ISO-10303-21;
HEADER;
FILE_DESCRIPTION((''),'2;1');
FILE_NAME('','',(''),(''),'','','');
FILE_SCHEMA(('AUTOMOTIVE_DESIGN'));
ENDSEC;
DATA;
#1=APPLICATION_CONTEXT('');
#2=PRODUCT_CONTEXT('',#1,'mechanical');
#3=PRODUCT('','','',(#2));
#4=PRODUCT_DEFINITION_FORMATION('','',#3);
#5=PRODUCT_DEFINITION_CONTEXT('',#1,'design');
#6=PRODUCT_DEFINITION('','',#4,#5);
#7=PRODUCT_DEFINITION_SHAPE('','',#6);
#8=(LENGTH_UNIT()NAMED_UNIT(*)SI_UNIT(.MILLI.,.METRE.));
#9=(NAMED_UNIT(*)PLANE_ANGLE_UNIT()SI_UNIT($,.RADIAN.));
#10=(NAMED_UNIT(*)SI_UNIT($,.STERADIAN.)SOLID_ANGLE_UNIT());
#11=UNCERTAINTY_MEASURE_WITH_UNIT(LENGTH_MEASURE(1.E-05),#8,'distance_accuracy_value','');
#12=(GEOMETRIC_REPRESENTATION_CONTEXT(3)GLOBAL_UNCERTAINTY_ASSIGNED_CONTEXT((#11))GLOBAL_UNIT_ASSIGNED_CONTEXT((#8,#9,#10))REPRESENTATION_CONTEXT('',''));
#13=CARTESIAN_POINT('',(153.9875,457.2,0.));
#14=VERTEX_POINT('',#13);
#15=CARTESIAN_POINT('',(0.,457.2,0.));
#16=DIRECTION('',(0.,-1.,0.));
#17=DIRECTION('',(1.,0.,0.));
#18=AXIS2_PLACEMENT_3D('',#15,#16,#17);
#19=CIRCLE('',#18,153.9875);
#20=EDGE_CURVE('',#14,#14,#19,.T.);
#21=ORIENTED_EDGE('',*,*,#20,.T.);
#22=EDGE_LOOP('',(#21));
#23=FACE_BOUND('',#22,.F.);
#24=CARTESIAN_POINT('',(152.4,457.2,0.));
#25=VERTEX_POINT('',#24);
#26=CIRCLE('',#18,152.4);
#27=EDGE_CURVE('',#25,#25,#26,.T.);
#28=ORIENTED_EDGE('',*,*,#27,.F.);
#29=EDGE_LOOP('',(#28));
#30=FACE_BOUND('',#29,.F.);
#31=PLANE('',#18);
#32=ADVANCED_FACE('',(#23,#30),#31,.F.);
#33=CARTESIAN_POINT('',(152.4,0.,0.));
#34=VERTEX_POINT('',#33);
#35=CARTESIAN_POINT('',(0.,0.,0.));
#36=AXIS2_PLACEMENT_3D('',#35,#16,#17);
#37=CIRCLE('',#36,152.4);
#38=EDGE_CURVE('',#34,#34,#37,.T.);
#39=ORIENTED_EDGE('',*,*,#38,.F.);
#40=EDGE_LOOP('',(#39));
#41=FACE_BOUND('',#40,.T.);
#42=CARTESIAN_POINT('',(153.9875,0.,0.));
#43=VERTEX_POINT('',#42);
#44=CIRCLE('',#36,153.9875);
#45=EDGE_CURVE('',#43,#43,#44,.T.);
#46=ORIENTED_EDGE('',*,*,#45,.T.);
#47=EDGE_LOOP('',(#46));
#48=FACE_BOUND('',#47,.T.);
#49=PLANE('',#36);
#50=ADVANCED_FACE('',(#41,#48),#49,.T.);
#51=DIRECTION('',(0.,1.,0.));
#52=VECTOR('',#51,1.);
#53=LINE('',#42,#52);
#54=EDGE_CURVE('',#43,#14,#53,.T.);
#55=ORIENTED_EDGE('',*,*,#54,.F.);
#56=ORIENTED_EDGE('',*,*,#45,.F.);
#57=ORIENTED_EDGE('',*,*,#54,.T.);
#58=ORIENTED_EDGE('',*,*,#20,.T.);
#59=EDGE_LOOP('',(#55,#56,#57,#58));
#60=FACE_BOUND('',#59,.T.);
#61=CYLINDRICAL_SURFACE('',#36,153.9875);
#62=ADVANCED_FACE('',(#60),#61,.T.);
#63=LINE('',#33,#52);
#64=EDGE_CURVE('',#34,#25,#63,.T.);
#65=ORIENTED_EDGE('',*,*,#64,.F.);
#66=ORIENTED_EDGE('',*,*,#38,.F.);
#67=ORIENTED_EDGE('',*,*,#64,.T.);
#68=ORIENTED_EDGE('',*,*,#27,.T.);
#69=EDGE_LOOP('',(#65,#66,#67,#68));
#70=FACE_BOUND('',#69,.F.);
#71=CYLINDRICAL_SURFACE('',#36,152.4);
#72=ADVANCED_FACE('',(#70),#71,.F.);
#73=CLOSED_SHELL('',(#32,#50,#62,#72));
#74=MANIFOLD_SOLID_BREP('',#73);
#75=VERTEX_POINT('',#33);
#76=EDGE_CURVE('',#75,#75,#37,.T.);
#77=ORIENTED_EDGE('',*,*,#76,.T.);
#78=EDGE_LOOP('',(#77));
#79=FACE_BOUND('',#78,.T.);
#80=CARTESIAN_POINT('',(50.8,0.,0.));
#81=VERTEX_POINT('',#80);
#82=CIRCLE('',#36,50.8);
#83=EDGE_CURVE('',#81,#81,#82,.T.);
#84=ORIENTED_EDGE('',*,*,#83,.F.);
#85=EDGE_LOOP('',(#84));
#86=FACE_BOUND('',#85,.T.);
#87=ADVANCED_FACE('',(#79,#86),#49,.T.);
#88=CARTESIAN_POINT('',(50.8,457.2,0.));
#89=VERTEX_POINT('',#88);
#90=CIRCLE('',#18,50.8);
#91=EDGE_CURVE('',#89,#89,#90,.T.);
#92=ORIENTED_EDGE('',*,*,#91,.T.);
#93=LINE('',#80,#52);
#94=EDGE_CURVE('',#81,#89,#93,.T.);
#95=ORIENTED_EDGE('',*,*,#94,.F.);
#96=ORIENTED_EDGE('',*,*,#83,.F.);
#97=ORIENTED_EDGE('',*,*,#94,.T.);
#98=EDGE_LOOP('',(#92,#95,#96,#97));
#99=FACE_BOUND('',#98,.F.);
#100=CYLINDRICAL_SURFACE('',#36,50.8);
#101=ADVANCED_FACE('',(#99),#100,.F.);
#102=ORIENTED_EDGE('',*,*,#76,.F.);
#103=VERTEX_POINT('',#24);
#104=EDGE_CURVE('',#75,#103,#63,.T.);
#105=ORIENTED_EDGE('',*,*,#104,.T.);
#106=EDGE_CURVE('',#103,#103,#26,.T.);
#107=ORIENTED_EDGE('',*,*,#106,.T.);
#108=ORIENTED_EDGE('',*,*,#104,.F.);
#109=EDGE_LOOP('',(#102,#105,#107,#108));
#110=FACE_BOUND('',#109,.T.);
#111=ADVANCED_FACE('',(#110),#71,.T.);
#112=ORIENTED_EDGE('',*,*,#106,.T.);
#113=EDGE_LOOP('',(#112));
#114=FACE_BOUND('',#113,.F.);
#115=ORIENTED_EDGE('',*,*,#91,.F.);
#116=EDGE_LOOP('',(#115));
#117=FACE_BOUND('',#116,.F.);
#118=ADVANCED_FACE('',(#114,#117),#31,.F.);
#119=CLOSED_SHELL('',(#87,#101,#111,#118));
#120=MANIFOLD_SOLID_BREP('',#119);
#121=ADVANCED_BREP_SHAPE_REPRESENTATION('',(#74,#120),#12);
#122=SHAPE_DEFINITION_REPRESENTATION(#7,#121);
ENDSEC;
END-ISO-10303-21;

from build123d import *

# Parameters (mm, degrees)
F0_R     = 153.9875
F0_R_2   = 152.4
F1_DEPTH = 457.2
F0_R_3   = 50.8
F2_DEPTH = 457.2


with BuildPart() as f1:
    # F0 (on Front) → F1 (new body)
    with BuildSketch(Plane.XZ):
        Circle(F0_R)
        Circle(F0_R_2, mode=Mode.SUBTRACT)
    extrude(amount=-F1_DEPTH)


with BuildPart() as f2:
    # F0 (on Front) → F2 (new body)
    with BuildSketch(Plane.XZ):
        Circle(F0_R_2)
        Circle(F0_R_3, mode=Mode.SUBTRACT)
    extrude(amount=-F2_DEPTH)


solid = Compound([f1.part, f2.part])
